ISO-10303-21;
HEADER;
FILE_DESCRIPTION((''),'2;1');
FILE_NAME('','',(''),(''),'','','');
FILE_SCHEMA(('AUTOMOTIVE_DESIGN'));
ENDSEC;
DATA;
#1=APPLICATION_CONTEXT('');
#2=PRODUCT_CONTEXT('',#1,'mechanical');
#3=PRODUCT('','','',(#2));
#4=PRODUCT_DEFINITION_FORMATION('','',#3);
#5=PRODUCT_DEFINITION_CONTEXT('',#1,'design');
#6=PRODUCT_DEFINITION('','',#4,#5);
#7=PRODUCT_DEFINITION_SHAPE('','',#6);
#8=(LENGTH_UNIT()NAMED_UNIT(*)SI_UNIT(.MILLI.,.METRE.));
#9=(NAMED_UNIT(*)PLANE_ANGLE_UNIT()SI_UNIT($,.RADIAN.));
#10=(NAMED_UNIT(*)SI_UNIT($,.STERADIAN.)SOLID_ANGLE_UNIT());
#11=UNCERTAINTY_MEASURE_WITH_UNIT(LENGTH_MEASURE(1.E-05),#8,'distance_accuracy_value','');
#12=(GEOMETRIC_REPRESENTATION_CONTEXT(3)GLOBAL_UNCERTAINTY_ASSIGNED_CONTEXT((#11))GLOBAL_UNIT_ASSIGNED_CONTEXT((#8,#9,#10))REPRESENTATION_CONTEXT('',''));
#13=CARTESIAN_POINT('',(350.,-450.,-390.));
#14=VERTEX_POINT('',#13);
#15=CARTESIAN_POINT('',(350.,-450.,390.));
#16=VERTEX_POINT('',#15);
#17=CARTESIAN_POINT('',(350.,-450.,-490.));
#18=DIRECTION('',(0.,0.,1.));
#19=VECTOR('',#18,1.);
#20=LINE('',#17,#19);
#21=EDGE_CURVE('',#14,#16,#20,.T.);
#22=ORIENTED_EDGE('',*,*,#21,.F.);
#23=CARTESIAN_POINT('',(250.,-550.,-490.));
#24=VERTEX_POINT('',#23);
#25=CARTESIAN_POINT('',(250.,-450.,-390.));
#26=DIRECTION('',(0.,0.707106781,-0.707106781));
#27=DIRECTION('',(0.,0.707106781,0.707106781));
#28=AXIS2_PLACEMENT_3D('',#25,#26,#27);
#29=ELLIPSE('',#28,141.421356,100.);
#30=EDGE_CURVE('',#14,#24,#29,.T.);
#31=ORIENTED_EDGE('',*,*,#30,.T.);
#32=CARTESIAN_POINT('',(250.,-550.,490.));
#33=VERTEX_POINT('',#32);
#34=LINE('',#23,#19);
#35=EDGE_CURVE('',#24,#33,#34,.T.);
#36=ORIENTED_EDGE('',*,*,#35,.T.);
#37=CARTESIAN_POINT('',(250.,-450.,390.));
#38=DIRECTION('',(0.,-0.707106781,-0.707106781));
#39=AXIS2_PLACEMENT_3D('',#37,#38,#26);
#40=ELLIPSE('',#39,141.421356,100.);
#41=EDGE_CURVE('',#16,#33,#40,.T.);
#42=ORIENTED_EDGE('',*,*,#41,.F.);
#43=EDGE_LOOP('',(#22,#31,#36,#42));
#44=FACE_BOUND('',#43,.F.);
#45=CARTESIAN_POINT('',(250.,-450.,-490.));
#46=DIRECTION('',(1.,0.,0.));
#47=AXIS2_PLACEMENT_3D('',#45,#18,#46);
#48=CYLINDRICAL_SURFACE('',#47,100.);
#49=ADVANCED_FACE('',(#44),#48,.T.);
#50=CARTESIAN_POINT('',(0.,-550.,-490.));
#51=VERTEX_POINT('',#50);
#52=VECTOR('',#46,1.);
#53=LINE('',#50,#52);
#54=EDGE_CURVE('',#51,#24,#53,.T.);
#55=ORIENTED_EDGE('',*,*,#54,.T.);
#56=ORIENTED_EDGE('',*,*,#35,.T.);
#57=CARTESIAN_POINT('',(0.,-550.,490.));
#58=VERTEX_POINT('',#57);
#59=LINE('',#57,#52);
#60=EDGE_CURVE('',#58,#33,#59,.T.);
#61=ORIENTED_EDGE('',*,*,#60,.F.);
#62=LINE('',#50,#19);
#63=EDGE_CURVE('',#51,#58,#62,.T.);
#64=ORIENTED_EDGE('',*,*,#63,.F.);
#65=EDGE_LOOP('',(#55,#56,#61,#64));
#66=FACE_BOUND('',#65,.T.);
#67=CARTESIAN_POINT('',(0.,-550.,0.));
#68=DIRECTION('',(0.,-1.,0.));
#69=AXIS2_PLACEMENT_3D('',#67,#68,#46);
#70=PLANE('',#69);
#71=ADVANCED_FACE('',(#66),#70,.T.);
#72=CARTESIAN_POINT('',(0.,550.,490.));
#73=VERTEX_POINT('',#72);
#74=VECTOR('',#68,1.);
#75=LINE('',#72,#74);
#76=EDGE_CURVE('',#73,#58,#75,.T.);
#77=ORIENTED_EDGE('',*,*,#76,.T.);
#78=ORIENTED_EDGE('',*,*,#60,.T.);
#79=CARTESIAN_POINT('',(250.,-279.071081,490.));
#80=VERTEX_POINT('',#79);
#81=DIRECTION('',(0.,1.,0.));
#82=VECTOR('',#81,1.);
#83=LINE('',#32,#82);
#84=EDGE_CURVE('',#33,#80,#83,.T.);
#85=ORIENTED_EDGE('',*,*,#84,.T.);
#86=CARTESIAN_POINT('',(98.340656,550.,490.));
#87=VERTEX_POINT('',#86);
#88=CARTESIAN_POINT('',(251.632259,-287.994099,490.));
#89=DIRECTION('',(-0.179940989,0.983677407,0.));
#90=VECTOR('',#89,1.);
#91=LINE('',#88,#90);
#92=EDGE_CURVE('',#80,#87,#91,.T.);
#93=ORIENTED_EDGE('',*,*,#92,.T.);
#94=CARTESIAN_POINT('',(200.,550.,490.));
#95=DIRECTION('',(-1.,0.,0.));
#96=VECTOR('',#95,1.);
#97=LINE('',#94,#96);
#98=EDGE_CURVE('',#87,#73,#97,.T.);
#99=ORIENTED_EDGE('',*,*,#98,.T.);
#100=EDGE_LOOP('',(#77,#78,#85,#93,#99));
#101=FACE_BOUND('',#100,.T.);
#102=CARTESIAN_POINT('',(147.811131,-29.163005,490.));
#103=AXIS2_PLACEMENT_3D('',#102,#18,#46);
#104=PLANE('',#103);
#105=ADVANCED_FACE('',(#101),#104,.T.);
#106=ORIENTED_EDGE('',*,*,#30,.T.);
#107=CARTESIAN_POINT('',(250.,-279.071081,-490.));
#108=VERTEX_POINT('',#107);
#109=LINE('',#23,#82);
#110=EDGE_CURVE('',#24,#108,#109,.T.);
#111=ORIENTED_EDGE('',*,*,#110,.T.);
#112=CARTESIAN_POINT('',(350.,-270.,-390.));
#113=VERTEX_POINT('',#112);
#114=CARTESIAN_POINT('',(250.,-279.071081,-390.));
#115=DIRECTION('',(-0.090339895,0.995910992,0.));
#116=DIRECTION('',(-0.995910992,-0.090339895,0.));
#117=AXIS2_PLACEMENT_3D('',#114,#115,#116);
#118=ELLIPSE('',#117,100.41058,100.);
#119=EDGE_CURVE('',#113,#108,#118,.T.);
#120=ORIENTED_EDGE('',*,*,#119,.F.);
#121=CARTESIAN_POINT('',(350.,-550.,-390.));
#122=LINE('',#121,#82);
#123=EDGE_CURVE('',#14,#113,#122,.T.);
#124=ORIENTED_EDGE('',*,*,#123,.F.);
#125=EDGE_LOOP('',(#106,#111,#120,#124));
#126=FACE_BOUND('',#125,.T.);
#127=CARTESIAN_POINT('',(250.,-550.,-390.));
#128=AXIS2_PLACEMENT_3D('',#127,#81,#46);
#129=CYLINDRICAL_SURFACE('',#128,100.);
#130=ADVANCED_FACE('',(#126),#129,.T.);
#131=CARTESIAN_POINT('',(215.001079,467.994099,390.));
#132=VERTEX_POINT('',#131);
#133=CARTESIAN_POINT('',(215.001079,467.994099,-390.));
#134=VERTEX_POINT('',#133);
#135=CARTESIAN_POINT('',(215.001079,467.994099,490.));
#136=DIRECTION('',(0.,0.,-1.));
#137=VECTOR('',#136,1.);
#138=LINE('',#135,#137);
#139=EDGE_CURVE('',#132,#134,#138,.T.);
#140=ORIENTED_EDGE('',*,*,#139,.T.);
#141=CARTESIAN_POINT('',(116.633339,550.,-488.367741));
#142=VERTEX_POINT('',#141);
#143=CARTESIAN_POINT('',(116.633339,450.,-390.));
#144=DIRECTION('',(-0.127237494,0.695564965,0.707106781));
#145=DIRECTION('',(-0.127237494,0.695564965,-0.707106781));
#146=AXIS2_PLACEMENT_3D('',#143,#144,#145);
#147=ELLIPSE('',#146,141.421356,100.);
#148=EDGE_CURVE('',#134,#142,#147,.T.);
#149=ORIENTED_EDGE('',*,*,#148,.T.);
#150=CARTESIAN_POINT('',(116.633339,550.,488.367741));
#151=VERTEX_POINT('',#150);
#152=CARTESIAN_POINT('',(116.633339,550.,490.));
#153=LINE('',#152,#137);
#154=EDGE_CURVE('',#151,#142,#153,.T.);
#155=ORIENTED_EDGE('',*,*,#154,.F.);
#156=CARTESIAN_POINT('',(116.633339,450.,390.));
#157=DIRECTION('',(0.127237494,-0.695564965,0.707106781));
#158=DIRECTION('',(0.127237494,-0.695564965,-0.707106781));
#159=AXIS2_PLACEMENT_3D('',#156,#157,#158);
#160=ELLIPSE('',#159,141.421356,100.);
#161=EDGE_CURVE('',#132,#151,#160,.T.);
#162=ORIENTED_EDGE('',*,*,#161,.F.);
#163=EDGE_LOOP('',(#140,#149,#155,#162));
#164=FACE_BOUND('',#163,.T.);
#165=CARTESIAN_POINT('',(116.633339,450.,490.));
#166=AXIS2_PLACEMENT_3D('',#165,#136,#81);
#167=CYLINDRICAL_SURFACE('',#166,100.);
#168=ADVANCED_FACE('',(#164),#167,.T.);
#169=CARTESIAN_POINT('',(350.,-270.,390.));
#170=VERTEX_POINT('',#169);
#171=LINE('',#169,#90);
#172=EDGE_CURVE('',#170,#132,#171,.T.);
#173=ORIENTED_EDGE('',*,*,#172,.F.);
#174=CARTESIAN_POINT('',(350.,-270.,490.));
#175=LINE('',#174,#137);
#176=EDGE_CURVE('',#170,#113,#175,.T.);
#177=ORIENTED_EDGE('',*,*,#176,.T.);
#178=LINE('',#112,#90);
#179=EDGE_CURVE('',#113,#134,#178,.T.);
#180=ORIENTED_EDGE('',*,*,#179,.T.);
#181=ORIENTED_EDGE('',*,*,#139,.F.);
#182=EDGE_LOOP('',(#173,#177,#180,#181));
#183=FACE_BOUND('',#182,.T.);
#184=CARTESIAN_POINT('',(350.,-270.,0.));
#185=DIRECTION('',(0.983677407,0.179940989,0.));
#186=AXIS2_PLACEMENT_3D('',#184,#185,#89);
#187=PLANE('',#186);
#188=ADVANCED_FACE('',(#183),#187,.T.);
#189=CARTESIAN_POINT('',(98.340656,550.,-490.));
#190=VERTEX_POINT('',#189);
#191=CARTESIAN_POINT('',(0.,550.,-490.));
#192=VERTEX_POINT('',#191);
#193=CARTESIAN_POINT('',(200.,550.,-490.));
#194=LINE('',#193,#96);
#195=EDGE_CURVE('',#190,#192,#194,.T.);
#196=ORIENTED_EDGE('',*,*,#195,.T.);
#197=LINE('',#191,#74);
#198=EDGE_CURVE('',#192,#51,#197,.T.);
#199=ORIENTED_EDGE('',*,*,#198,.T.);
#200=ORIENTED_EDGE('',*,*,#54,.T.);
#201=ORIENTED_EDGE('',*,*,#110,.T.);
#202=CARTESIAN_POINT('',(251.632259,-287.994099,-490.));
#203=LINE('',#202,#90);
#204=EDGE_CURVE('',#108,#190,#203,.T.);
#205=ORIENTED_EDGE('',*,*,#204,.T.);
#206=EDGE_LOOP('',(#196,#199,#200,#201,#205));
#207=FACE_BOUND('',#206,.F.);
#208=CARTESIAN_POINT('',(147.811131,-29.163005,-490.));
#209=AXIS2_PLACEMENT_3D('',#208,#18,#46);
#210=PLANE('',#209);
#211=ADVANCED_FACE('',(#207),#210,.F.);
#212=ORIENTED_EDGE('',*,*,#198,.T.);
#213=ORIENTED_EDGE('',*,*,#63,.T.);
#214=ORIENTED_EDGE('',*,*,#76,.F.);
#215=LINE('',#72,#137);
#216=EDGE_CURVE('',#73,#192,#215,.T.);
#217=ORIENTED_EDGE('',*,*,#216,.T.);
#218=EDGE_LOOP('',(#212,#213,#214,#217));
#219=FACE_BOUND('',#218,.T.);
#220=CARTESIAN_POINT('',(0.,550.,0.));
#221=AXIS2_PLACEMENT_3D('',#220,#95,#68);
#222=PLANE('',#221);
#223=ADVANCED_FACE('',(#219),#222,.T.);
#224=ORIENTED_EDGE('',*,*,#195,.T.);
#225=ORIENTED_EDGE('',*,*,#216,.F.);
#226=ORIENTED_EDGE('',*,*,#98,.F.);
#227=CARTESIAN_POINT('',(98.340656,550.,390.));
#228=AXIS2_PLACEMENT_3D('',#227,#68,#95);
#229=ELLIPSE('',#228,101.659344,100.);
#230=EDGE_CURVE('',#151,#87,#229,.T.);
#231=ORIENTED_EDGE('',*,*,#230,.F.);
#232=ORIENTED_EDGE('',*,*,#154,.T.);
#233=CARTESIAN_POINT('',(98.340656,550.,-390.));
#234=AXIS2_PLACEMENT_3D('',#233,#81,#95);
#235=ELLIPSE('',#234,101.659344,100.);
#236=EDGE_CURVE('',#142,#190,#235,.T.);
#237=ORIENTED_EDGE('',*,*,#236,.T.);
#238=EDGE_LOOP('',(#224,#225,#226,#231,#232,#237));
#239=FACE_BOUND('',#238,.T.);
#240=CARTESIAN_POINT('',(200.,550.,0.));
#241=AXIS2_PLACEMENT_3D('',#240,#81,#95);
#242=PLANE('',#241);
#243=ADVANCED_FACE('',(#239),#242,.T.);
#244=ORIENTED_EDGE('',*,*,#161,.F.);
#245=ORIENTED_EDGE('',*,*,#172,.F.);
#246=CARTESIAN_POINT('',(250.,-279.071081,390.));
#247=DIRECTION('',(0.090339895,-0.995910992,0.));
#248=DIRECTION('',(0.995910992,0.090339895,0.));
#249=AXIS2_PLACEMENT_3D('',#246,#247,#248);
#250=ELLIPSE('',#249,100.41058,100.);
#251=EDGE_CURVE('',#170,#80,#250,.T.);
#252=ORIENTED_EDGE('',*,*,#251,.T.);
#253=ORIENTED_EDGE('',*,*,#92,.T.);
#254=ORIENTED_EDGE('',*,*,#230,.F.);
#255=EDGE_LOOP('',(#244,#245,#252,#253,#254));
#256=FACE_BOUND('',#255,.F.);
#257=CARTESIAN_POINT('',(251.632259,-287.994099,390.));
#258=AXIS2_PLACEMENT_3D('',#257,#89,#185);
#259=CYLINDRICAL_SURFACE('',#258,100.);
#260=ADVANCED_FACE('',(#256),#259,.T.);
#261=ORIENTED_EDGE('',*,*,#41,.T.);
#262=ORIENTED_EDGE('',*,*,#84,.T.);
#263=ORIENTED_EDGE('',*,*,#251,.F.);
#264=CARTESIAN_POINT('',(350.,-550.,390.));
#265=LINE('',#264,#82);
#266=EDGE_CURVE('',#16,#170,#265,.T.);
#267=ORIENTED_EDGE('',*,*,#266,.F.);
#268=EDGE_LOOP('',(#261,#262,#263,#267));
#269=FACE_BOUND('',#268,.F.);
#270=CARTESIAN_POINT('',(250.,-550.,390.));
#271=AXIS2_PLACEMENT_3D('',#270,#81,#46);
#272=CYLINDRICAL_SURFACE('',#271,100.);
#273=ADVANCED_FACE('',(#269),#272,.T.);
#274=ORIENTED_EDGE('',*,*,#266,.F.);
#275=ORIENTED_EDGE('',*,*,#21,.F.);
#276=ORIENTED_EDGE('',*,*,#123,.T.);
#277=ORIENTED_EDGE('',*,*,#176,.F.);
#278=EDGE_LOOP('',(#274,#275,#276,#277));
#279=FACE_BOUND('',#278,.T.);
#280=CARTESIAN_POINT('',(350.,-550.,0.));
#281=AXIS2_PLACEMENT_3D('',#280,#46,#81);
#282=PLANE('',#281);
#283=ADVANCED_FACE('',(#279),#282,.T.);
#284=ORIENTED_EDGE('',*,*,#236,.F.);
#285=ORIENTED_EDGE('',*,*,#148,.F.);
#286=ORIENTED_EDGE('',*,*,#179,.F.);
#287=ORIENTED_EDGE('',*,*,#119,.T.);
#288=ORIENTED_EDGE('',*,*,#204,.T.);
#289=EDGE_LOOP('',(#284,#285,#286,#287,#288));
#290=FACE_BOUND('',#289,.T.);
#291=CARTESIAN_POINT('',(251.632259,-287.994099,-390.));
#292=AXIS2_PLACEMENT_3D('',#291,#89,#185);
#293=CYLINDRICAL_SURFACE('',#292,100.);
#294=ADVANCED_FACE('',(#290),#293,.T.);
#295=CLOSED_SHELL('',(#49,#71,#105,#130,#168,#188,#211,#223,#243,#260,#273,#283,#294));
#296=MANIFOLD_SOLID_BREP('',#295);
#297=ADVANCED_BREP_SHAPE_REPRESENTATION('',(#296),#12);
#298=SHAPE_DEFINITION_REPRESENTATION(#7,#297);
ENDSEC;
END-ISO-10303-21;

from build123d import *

# Parameters (mm, degrees)
BOSS_EXTRUDE1_DEPTH = 490
FILLET1_R           = 100


with BuildPart() as part:
    # Sketch1 → Boss-Extrude1 (new body, symmetric)
    with BuildSketch(Plane.XY):
        Polygon((0, 550), (0, -550), (350, -550), (350, -270), (200, 550), align=None)
    extrude(amount=BOSS_EXTRUDE1_DEPTH, both=True)

    # Fillet1
    fillet1_edges = [part.edges().sort_by_distance(p)[0] for p in [
        (350, -410, 490),
        (275, 140, 490),
        (275, 140, -490),
        (350, -410, -490),
        (200, 550, 0),
        (350, -550, 0),
    ]]
    fillet(fillet1_edges, radius=FILLET1_R)


solid = part.part
